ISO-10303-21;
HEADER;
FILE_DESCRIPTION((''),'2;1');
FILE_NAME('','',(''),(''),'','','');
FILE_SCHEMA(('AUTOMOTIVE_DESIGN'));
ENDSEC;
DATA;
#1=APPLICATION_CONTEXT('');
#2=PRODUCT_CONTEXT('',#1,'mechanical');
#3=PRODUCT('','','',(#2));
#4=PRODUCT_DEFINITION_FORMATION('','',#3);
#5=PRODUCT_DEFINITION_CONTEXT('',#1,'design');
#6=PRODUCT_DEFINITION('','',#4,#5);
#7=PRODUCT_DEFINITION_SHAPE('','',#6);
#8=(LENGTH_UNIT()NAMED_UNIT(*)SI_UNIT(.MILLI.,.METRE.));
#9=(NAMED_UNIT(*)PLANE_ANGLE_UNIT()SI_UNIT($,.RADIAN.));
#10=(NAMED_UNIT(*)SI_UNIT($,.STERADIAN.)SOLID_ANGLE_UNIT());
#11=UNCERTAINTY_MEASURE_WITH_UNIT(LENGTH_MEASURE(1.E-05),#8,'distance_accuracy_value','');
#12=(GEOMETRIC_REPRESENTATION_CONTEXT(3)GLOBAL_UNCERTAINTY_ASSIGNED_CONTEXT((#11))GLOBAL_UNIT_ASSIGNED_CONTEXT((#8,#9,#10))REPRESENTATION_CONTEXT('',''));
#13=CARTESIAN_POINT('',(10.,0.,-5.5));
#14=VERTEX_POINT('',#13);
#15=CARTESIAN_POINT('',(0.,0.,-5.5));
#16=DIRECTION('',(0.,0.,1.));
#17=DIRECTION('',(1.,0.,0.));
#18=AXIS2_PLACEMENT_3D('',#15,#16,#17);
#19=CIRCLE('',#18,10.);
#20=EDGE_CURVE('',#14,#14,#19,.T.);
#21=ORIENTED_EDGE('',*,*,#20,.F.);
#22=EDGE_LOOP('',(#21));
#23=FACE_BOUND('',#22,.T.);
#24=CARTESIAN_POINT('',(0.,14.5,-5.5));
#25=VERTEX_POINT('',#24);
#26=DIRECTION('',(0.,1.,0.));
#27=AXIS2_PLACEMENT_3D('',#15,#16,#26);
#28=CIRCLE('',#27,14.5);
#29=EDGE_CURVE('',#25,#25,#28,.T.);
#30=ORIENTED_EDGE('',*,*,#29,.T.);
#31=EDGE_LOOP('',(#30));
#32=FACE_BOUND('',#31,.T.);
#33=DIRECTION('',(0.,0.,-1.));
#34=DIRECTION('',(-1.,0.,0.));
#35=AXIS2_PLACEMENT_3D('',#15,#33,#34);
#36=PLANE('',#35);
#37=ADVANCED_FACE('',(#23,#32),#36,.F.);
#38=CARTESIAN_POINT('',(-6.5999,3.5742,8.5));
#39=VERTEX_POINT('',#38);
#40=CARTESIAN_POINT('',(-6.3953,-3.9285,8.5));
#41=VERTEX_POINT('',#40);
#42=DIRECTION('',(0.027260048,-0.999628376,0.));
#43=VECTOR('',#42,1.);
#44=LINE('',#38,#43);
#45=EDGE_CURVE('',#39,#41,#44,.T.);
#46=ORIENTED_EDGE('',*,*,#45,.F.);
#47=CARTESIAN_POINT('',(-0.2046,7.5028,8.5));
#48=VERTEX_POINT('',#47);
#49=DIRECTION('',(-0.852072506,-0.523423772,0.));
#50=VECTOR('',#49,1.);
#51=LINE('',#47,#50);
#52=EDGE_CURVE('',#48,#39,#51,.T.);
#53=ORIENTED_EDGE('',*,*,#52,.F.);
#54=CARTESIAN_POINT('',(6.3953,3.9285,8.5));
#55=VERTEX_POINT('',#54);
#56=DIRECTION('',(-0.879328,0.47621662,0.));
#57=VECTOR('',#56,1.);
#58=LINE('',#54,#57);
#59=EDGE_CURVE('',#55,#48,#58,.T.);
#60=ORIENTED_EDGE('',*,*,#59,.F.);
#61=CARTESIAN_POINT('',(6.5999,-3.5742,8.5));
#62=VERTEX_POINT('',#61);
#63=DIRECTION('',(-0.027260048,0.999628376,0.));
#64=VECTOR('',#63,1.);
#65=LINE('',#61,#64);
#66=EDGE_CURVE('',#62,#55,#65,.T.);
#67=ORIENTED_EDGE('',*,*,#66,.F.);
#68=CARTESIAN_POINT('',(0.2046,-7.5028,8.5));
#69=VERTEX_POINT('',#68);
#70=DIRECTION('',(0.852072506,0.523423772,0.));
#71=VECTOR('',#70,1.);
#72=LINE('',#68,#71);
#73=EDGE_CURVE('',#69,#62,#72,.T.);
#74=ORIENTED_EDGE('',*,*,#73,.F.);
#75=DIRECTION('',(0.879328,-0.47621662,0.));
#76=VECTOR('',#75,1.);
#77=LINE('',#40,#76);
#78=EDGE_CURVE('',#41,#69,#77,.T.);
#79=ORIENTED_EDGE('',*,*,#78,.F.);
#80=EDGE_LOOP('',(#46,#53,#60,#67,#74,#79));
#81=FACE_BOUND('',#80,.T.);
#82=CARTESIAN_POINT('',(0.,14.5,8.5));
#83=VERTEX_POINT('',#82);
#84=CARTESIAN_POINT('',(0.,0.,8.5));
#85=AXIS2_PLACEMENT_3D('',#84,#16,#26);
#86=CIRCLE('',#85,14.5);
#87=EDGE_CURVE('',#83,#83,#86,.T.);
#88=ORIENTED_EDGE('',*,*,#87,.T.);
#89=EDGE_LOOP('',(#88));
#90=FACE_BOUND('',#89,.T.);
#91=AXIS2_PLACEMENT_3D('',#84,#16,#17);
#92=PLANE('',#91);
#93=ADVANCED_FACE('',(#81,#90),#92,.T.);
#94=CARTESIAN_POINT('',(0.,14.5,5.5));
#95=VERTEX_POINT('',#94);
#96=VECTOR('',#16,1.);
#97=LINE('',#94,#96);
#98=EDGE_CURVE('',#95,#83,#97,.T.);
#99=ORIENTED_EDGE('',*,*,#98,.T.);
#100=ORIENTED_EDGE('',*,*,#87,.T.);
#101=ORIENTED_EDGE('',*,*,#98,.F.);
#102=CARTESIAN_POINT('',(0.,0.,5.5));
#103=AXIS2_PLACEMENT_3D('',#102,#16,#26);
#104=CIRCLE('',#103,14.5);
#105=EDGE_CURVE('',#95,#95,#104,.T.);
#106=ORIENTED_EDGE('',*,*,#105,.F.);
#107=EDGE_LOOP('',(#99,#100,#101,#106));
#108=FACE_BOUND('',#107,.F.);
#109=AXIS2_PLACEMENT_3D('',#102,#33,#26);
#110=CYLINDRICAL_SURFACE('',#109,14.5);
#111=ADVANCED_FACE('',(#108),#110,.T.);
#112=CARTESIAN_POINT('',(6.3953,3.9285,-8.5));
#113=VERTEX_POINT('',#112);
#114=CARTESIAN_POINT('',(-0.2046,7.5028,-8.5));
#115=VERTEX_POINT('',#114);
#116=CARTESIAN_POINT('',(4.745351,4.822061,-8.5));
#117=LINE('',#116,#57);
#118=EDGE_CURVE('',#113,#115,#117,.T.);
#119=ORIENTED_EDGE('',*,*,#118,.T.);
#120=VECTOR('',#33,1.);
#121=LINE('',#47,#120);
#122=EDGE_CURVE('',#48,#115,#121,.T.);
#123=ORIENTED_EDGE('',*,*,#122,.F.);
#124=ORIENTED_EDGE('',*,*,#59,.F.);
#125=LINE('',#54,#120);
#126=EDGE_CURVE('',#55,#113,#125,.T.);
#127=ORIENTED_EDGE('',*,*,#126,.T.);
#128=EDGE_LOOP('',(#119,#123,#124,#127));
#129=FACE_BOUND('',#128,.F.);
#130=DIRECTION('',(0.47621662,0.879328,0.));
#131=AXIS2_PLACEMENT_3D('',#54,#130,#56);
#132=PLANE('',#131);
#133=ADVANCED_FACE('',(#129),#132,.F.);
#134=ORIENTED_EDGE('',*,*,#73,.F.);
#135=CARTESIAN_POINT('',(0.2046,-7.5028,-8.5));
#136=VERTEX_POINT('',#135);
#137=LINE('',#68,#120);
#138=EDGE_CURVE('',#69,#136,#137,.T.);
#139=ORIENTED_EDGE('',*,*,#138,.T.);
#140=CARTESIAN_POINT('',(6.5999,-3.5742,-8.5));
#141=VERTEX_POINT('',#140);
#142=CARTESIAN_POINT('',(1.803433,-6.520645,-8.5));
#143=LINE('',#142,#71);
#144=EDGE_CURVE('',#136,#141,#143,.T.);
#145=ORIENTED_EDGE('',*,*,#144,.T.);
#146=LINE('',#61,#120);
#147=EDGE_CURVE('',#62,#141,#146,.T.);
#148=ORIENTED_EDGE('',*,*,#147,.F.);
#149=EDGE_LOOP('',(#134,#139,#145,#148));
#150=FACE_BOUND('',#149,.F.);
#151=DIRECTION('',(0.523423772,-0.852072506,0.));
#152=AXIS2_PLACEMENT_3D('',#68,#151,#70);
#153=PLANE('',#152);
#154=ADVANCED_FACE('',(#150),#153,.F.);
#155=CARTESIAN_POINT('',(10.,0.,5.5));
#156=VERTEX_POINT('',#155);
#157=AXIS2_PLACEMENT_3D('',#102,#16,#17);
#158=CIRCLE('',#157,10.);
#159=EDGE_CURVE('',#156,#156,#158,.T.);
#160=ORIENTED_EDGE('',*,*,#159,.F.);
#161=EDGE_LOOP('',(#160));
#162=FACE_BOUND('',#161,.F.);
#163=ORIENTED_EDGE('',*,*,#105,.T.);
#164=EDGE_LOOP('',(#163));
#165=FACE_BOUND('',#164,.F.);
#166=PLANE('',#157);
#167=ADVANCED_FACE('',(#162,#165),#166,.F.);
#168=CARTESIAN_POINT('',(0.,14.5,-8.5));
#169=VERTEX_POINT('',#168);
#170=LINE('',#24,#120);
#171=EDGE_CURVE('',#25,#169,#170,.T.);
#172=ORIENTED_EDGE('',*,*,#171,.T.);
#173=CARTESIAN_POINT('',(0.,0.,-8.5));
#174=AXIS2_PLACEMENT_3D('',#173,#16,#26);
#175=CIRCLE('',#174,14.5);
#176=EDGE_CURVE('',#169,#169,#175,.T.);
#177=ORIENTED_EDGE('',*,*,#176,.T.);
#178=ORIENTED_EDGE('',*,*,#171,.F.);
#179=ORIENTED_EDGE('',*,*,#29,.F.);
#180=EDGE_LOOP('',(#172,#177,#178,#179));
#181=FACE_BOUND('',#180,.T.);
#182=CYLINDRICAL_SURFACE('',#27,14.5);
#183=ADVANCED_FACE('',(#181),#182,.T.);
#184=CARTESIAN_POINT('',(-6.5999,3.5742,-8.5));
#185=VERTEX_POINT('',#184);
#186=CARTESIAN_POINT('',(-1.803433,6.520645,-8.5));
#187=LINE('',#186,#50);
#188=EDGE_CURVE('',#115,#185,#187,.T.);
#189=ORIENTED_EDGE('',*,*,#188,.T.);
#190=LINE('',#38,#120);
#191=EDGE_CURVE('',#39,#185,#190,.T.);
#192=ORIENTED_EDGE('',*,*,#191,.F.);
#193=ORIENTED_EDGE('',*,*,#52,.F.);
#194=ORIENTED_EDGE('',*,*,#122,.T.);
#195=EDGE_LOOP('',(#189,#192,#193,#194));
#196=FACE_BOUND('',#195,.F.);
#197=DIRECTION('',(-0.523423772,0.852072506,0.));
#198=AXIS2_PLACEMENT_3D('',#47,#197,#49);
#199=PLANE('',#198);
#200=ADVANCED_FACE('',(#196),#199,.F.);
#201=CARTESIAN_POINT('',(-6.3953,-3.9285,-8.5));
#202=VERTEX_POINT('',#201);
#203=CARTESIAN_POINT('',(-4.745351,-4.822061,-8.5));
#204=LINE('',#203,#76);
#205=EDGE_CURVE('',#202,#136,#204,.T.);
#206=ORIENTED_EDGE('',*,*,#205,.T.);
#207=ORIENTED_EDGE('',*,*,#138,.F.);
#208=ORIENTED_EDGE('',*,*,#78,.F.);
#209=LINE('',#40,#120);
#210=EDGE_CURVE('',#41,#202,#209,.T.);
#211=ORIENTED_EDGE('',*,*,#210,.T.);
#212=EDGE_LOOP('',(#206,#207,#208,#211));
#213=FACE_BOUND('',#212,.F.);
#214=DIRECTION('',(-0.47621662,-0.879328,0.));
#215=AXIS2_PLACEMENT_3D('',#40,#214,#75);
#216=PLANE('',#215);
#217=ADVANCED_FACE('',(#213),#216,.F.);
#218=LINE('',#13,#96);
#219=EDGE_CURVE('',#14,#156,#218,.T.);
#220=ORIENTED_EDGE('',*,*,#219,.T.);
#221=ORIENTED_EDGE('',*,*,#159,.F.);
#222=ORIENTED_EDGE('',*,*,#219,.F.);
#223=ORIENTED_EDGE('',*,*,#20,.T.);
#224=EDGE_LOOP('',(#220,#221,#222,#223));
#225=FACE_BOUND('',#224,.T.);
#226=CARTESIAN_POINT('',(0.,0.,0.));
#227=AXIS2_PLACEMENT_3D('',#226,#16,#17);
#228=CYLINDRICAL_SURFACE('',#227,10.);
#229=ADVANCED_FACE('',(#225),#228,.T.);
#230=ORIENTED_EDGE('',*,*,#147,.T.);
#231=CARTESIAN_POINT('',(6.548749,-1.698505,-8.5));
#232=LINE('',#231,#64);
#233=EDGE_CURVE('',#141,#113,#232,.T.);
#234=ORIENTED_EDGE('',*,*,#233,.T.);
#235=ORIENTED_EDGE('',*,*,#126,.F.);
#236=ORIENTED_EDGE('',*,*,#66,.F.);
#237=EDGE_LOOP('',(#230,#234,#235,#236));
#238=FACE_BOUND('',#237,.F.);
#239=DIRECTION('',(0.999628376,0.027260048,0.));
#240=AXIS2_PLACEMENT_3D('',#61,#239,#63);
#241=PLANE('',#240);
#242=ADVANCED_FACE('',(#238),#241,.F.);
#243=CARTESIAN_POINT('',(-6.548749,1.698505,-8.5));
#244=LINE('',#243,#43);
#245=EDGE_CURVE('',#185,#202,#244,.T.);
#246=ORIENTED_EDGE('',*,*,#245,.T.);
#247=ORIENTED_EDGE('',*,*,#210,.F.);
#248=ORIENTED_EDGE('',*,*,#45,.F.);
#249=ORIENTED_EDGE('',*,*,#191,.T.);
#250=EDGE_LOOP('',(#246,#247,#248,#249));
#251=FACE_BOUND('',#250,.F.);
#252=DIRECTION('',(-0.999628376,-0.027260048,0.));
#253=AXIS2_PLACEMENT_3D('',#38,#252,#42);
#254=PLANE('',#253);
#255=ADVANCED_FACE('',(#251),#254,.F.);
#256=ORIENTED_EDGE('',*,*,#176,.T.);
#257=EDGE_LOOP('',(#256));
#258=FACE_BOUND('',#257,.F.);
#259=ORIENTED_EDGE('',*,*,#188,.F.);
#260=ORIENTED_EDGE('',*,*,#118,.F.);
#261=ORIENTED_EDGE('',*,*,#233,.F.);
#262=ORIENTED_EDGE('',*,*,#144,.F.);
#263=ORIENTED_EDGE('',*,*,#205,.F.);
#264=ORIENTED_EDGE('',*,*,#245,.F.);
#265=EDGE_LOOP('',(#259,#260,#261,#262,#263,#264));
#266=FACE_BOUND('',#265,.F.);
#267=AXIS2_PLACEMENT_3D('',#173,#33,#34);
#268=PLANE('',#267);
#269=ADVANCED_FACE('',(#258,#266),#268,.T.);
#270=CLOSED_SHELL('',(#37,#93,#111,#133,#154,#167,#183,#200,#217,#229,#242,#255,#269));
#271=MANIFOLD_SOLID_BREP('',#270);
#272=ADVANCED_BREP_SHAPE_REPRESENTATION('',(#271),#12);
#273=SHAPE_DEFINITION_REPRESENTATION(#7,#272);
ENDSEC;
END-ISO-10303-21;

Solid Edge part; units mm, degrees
sketch "Sketch1" plane through (0, 0, 0) normal (0, 0, 1) x (1, 0, 0)
  circle A0 centre (0, 0) radius 10
  dimension "D1" = 20
extrude "Protrusion1" add sketch "Sketch1" along normal mid plane 11
sketch "Sketch2" plane through (0, 0, 5.5) normal (0, 0, 1) x (0, 1, 0)
  circle A0 centre (0, 0) radius 14.5
  dimension "D1" = 29
extrude "ExtrudedProtrusion_2" add sketch "Sketch2" along normal blind 3
mirror "Mirror1" about plane through (0, 0, 0) normal (0, 0, -1) of "ExtrudedProtrusion_2"
sketch "Sketch3" plane through (0, 0, 8.5) normal (0, 0, 1) x (0, -1, 0)
  line L0 (3.9285, -6.3953) -> (7.5028, 0.2046)
  line L1 (7.5028, 0.2046) -> (3.5742, 6.5999)
  line L2 (3.5742, 6.5999) -> (-3.9285, 6.3953)
  line L3 (-3.9285, 6.3953) -> (-7.5028, -0.2046)
  line L4 (-7.5028, -0.2046) -> (-3.5742, -6.5999)
  line L5 (-3.5742, -6.5999) -> (3.9285, -6.3953)
extrude "ExtrudedCutout_1" cut sketch "Sketch3" against normal blind 37.5006
properties part number "BumbleB0195"
